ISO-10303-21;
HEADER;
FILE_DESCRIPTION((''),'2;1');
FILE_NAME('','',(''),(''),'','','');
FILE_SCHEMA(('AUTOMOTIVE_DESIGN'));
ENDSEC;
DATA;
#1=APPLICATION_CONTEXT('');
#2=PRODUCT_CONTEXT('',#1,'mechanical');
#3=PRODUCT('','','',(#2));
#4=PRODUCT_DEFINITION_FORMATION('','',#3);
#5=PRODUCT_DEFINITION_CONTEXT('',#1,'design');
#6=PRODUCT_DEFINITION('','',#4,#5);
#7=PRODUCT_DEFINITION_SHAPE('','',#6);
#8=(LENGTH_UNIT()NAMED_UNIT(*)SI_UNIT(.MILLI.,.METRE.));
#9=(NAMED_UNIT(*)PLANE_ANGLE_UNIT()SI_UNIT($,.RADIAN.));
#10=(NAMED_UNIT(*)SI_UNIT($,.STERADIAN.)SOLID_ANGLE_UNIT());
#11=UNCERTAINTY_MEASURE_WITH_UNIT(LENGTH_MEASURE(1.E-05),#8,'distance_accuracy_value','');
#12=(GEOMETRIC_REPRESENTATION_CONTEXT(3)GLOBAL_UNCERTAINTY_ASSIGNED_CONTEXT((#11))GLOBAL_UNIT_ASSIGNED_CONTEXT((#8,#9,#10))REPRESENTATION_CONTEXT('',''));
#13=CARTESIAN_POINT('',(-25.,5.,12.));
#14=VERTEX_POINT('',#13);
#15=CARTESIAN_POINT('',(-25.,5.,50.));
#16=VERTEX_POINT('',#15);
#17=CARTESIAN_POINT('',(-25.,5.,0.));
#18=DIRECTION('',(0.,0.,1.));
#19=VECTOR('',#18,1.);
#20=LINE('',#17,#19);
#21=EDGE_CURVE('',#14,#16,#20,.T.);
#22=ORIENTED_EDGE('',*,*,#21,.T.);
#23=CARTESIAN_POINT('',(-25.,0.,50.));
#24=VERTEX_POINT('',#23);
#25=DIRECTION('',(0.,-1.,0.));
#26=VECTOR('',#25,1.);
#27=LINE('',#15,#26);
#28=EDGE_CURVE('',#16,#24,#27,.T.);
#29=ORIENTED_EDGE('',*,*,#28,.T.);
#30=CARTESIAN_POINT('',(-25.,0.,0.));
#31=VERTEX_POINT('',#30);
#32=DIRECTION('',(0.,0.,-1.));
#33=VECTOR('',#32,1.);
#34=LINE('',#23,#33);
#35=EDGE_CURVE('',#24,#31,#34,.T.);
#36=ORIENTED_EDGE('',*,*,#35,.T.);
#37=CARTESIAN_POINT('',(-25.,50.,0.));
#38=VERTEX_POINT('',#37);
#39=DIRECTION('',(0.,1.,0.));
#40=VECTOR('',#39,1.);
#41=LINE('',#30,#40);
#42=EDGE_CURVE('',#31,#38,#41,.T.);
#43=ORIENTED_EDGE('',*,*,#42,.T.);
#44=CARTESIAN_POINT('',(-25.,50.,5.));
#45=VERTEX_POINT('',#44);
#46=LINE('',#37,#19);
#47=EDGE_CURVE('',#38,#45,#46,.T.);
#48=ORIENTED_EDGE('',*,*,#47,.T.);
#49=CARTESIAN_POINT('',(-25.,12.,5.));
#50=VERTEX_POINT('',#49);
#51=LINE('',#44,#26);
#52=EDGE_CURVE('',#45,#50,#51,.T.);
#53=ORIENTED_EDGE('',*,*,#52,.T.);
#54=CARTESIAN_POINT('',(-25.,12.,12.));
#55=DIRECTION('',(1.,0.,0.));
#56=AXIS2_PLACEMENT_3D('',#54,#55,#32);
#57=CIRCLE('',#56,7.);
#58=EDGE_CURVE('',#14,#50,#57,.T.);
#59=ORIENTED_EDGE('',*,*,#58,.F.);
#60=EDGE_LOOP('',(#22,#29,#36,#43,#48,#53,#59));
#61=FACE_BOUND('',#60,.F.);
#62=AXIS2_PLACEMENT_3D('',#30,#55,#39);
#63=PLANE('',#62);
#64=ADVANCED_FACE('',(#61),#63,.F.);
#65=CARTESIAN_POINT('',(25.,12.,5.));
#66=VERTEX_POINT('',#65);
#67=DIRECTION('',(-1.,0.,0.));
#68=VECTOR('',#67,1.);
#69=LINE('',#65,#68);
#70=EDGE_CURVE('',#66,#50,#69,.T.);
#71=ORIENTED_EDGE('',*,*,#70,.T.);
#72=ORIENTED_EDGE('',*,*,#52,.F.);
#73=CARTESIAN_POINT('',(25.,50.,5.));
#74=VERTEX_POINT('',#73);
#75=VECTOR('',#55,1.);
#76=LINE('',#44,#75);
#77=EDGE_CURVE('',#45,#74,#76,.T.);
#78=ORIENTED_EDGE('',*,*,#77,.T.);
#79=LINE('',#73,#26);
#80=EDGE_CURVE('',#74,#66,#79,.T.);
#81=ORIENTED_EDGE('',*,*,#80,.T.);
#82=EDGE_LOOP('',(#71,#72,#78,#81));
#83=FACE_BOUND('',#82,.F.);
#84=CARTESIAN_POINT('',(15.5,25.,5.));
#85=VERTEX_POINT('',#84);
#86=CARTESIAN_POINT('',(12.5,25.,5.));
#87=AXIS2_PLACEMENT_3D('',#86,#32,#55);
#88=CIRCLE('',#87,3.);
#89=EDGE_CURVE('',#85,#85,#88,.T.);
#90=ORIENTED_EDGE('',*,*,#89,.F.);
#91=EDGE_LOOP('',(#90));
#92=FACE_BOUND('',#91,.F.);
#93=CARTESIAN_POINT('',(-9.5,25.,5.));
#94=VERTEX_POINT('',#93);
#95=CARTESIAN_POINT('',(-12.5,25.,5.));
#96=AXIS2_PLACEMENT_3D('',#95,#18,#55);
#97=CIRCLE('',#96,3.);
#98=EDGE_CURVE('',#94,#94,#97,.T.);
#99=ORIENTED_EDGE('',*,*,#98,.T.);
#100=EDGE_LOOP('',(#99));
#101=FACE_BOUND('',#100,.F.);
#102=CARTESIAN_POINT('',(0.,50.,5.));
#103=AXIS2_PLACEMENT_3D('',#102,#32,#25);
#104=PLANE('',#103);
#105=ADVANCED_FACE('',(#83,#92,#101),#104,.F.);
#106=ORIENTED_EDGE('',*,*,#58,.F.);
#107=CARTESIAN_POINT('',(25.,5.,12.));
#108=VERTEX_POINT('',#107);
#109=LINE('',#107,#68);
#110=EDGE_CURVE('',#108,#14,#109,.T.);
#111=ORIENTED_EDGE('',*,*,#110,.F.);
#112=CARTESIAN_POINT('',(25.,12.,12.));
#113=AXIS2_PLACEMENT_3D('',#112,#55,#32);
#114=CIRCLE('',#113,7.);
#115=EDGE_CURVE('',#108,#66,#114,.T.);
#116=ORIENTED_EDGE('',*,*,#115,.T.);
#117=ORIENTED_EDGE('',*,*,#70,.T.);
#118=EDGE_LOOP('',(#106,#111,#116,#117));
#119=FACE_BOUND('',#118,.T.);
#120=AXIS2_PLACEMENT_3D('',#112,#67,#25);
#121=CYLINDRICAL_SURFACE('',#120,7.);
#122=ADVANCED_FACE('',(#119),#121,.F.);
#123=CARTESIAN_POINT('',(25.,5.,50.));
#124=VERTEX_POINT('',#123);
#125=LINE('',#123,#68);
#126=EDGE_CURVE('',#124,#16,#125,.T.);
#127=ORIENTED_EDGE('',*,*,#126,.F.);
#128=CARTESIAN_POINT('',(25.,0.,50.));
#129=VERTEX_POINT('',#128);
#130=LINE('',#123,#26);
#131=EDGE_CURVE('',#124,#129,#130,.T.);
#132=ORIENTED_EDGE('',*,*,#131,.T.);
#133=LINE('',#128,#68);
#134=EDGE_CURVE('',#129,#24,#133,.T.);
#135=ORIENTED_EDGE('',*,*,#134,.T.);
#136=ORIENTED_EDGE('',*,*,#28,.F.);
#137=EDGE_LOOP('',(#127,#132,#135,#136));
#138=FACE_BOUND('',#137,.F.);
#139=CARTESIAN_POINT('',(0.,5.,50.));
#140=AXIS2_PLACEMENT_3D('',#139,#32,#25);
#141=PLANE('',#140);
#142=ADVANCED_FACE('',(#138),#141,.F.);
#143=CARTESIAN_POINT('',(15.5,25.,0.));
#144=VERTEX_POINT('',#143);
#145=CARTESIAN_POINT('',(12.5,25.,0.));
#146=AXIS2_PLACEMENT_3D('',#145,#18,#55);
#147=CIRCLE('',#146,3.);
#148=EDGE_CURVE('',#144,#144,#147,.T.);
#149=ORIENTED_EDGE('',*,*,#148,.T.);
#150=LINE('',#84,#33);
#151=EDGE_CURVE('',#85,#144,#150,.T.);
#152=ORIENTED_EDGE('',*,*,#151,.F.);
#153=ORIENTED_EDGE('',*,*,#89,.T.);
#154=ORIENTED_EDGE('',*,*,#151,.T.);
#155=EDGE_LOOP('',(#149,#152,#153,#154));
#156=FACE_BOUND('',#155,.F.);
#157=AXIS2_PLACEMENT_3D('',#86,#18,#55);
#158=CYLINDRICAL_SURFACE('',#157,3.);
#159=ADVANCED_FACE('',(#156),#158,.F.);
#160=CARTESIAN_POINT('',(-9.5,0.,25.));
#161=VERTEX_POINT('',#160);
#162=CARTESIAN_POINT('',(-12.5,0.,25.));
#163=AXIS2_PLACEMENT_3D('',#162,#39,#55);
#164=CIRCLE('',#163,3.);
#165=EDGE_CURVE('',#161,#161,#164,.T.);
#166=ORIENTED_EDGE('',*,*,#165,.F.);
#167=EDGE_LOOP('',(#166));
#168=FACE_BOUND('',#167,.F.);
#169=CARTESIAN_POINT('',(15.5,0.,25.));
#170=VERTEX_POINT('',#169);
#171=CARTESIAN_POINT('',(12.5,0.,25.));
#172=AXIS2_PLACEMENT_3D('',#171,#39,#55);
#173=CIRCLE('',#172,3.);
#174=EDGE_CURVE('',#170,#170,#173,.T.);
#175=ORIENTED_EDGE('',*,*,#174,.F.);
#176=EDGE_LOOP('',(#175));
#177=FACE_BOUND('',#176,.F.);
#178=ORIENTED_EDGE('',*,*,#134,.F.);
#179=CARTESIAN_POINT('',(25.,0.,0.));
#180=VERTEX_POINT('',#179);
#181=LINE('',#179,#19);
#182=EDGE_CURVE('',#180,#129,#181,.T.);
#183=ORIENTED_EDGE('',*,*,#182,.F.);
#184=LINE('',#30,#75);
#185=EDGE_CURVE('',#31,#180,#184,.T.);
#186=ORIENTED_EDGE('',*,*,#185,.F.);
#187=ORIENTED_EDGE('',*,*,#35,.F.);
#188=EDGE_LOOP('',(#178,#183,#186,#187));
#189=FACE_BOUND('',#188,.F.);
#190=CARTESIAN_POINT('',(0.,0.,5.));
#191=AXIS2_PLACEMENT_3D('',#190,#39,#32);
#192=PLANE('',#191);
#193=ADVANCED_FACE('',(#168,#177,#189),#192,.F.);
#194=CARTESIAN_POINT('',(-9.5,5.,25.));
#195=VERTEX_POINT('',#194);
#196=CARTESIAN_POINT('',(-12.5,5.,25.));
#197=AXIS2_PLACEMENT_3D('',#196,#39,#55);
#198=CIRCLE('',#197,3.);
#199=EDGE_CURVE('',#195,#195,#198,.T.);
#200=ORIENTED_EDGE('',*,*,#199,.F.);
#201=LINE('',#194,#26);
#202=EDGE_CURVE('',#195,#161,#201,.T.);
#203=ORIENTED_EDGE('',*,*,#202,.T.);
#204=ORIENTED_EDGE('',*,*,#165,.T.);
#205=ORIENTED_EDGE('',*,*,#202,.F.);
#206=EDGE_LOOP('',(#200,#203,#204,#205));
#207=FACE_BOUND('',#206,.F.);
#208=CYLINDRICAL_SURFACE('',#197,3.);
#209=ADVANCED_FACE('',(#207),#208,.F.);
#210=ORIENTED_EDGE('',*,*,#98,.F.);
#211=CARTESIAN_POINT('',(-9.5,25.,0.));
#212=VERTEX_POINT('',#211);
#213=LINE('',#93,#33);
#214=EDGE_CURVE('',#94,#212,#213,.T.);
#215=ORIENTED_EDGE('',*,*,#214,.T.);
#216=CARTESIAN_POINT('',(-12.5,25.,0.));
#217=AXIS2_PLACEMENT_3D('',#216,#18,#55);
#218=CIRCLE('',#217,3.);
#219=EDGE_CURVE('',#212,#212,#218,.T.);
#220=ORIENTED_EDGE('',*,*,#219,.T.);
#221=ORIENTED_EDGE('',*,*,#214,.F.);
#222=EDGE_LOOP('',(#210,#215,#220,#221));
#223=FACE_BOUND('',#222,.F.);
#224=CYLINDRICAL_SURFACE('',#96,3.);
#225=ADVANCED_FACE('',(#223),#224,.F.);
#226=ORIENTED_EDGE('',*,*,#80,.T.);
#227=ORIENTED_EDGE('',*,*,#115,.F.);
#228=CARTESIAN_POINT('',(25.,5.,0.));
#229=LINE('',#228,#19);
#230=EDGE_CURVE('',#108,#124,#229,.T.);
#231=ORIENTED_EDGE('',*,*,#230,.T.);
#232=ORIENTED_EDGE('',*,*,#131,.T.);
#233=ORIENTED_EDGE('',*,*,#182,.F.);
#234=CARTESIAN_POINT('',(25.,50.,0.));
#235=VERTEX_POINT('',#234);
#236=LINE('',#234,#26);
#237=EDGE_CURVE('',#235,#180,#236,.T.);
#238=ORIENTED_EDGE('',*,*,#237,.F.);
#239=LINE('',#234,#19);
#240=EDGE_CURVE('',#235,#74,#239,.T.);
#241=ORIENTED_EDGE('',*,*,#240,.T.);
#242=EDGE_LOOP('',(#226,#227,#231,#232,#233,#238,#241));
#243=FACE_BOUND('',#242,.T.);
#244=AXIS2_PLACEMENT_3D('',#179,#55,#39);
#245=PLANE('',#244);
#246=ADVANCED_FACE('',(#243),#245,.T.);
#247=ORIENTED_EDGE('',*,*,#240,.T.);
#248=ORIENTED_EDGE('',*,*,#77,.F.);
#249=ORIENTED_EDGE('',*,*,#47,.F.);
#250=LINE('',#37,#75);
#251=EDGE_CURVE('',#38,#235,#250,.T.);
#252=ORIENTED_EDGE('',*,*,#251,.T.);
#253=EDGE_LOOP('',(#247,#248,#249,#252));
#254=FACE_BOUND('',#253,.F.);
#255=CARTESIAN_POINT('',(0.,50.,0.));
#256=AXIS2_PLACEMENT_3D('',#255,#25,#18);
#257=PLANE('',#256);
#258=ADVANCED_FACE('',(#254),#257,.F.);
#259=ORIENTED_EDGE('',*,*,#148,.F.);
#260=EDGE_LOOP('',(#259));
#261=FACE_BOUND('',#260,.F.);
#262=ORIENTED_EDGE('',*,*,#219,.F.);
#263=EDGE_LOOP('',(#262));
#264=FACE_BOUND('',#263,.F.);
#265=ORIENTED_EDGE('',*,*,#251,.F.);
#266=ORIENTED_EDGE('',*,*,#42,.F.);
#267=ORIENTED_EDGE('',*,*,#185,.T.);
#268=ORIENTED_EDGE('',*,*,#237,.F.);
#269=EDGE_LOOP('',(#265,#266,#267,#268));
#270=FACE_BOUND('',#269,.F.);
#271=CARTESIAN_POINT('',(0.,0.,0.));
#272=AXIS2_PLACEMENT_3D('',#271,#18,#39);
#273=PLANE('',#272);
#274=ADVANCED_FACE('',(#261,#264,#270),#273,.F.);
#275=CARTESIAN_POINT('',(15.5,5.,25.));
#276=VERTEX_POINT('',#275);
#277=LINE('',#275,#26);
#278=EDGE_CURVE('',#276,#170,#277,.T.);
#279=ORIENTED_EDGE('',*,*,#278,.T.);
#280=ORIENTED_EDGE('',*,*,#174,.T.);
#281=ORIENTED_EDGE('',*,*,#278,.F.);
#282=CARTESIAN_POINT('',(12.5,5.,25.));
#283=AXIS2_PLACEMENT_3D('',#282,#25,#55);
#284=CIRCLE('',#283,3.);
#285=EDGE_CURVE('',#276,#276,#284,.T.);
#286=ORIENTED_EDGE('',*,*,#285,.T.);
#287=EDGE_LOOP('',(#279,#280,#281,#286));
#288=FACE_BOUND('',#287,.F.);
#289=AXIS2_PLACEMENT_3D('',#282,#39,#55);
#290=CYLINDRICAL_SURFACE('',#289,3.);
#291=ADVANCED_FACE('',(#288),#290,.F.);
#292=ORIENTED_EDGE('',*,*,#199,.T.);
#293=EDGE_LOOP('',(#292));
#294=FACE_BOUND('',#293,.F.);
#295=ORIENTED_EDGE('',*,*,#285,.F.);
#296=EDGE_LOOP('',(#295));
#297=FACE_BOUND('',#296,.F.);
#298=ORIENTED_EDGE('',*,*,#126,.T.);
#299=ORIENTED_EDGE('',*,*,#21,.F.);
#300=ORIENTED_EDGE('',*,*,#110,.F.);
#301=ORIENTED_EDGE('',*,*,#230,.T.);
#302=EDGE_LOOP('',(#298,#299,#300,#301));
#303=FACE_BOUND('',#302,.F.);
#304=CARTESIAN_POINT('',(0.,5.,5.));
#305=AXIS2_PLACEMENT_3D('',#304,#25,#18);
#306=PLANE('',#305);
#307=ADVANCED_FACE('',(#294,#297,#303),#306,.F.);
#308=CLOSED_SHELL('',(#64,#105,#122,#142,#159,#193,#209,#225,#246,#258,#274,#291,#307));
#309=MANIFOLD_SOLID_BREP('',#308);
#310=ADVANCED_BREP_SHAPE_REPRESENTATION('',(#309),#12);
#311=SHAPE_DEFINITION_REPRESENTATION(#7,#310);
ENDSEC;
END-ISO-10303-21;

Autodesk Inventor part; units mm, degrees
ref_plane "YZ Plane" through (0, 0, 0) normal (1, 0, 0) x (0, 1, 0)
ref_plane "XZ Plane" through (0, 0, 0) normal (0, 1, 0) x (-1, 0, 0)
ref_plane "XY Plane" through (0, 0, 0) normal (0, 0, 1) x (1, 0, 0)
sketch "Sketch1" plane through (0, 0, 0) normal (1, 0, 0) x (0, 1, 0)
  line L0 (0, 0) -> (5, 0)
  line L1 (5, 0) -> (5, 50)
  line L2 (5, 50) -> (0, 50)
  line L3 (0, 50) -> (0, 0)
  line L4 (0, 0) -> (50, 0)
  line L5 (50, 0) -> (50, 5)
  line L6 (50, 5) -> (0, 5)
  line L7 (0, 5) -> (0, 0)
  point P0 (5, 5)
  dimension "d0" = 5
  dimension "d1" = 50
  dimension "d2" = 50
  dimension "d3" = 5
extrude "Extrusion1" add sketch "Sketch1" along normal mid plane 50
fillet "Fillet1" radius 7 1 edges at (0, 5, 5)
sketch "Sketch2" plane through (-25, 50, 5) normal (0, 0, 1) x (1, 0, 0)
  line L0 (0, 0) -> (0, -50) projected
  line L1 (0, 0) -> (0, -25)
  line L2 (12.5, -25) -> (37.5, -25)
  circle A0 centre (12.5, -25) radius 3
  circle A1 centre (37.5, -25) radius 3
  point P0 (25, -50)
  dimension "d7" = 25
  dimension "d8" = 6
  dimension "d9" = 6
sketch "Sketch3" plane through (-25, 5, 50) normal (0, 1, 0) x (1, 0, 0)
  line L0 (0, 50) -> (0, 0) projected
  line L1 (0, 0) -> (0, 25)
  line L2 (12.5, 25) -> (37.5, 25)
  circle A0 centre (12.5, 25) radius 3
  circle A1 centre (37.5, 25) radius 3
  point P0 (25, 50)
  dimension "d10" = 25
  dimension "d11" = 6
  dimension "d12" = 6
extrude "Extrusion2" cut sketch "Sketch2" against normal blind 50
extrude "Extrusion3" cut sketch "Sketch3" against normal blind 50
properties part number "lclamp"
